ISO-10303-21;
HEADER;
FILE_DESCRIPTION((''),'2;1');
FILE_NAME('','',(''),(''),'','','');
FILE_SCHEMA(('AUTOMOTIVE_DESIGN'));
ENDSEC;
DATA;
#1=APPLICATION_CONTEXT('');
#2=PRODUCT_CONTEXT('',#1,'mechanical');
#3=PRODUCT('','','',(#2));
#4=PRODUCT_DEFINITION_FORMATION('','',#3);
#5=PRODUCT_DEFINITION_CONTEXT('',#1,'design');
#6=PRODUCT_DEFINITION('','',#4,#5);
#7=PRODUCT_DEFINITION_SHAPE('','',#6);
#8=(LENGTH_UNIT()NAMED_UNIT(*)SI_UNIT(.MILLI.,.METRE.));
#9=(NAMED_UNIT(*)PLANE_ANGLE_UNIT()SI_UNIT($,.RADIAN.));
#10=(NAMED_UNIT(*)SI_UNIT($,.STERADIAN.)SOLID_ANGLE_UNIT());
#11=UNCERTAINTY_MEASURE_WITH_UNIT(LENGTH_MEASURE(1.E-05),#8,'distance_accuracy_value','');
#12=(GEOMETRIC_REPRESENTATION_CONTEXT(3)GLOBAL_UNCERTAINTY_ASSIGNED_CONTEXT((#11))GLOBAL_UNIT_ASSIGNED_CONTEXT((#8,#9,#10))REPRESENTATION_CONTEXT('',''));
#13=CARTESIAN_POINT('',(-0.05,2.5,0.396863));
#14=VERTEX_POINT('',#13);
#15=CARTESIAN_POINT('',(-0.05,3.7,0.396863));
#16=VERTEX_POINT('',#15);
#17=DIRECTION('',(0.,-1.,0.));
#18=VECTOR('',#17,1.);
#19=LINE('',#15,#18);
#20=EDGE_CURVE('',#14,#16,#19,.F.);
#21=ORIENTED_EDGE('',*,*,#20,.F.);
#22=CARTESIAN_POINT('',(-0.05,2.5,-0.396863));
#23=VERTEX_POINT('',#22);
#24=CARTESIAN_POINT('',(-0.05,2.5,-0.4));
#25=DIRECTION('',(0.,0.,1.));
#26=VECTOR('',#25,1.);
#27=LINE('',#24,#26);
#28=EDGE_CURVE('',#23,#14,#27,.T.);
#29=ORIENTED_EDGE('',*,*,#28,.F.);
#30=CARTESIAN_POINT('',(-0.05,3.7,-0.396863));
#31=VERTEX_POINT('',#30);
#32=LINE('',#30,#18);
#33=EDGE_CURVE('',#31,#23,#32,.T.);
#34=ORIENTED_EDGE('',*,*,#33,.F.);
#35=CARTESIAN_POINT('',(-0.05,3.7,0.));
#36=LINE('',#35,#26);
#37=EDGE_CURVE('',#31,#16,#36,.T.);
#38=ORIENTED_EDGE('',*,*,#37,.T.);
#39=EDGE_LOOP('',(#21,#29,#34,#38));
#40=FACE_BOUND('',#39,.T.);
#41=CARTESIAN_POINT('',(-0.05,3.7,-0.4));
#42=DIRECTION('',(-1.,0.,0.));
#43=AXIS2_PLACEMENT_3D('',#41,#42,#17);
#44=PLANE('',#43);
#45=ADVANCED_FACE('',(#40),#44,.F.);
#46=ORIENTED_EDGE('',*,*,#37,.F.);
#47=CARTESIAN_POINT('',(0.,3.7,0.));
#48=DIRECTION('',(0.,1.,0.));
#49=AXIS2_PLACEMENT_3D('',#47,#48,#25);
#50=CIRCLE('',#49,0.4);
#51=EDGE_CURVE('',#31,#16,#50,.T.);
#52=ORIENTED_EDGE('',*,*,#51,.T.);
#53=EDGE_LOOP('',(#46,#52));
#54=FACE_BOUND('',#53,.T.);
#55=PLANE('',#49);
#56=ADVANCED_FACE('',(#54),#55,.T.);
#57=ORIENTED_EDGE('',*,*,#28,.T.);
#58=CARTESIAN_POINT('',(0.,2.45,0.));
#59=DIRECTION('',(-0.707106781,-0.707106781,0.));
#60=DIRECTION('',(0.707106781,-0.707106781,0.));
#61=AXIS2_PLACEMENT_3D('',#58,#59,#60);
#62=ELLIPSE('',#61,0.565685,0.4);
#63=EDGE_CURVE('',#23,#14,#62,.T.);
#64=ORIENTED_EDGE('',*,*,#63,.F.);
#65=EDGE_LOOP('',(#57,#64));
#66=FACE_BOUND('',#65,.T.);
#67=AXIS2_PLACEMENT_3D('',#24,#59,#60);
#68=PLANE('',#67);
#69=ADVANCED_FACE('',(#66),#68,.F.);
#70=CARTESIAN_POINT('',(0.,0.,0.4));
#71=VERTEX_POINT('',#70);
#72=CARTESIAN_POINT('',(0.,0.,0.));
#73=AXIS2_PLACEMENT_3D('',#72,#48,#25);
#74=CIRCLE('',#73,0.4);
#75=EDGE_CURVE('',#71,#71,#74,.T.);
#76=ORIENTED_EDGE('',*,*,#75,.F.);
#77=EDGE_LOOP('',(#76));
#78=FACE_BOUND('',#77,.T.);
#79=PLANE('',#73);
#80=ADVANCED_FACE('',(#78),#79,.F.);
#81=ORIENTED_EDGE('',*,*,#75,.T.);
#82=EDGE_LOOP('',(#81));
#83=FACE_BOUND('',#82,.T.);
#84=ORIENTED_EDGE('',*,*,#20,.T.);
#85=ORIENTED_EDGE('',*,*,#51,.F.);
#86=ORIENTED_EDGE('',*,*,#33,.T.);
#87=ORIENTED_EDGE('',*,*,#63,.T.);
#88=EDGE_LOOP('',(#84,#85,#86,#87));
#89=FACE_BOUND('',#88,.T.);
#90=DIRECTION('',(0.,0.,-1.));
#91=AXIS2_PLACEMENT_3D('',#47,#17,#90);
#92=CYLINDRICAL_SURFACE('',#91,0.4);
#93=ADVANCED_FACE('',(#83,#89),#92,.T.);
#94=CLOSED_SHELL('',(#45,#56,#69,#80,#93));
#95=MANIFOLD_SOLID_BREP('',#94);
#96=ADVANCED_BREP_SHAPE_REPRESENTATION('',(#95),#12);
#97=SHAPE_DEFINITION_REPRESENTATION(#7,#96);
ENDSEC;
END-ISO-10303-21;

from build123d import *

# Parameters (mm, degrees)
SKETCH1_R               = 0.4
BOSS_EXTRUDE1_DEPTH     = 3.7
CUT_EXTRUDE1_DEPTH      = 1.4
CUT_EXTRUDE1_DEPTH_BACK = 1.4


with BuildPart() as part:
    # Sketch1 → Boss-Extrude1 (new body)
    with BuildSketch(Plane(origin=(0, 0, 0), x_dir=(1, 0, 0), z_dir=(0, 1, 0))):
        Circle(SKETCH1_R)
    extrude(amount=BOSS_EXTRUDE1_DEPTH)

    # Sketch3 → Cut-Extrude1 (cut, two sides)
    with BuildSketch(Plane.XY) as cut_extrude1_sk:
        Polygon((-0.05, 3.7), (-0.05, 2.5), (0.4, 2.05), (0.4, 3.7), align=None)
    extrude(amount=CUT_EXTRUDE1_DEPTH, mode=Mode.SUBTRACT)
    extrude(cut_extrude1_sk.sketch, amount=-CUT_EXTRUDE1_DEPTH_BACK, mode=Mode.SUBTRACT)


solid = part.part
